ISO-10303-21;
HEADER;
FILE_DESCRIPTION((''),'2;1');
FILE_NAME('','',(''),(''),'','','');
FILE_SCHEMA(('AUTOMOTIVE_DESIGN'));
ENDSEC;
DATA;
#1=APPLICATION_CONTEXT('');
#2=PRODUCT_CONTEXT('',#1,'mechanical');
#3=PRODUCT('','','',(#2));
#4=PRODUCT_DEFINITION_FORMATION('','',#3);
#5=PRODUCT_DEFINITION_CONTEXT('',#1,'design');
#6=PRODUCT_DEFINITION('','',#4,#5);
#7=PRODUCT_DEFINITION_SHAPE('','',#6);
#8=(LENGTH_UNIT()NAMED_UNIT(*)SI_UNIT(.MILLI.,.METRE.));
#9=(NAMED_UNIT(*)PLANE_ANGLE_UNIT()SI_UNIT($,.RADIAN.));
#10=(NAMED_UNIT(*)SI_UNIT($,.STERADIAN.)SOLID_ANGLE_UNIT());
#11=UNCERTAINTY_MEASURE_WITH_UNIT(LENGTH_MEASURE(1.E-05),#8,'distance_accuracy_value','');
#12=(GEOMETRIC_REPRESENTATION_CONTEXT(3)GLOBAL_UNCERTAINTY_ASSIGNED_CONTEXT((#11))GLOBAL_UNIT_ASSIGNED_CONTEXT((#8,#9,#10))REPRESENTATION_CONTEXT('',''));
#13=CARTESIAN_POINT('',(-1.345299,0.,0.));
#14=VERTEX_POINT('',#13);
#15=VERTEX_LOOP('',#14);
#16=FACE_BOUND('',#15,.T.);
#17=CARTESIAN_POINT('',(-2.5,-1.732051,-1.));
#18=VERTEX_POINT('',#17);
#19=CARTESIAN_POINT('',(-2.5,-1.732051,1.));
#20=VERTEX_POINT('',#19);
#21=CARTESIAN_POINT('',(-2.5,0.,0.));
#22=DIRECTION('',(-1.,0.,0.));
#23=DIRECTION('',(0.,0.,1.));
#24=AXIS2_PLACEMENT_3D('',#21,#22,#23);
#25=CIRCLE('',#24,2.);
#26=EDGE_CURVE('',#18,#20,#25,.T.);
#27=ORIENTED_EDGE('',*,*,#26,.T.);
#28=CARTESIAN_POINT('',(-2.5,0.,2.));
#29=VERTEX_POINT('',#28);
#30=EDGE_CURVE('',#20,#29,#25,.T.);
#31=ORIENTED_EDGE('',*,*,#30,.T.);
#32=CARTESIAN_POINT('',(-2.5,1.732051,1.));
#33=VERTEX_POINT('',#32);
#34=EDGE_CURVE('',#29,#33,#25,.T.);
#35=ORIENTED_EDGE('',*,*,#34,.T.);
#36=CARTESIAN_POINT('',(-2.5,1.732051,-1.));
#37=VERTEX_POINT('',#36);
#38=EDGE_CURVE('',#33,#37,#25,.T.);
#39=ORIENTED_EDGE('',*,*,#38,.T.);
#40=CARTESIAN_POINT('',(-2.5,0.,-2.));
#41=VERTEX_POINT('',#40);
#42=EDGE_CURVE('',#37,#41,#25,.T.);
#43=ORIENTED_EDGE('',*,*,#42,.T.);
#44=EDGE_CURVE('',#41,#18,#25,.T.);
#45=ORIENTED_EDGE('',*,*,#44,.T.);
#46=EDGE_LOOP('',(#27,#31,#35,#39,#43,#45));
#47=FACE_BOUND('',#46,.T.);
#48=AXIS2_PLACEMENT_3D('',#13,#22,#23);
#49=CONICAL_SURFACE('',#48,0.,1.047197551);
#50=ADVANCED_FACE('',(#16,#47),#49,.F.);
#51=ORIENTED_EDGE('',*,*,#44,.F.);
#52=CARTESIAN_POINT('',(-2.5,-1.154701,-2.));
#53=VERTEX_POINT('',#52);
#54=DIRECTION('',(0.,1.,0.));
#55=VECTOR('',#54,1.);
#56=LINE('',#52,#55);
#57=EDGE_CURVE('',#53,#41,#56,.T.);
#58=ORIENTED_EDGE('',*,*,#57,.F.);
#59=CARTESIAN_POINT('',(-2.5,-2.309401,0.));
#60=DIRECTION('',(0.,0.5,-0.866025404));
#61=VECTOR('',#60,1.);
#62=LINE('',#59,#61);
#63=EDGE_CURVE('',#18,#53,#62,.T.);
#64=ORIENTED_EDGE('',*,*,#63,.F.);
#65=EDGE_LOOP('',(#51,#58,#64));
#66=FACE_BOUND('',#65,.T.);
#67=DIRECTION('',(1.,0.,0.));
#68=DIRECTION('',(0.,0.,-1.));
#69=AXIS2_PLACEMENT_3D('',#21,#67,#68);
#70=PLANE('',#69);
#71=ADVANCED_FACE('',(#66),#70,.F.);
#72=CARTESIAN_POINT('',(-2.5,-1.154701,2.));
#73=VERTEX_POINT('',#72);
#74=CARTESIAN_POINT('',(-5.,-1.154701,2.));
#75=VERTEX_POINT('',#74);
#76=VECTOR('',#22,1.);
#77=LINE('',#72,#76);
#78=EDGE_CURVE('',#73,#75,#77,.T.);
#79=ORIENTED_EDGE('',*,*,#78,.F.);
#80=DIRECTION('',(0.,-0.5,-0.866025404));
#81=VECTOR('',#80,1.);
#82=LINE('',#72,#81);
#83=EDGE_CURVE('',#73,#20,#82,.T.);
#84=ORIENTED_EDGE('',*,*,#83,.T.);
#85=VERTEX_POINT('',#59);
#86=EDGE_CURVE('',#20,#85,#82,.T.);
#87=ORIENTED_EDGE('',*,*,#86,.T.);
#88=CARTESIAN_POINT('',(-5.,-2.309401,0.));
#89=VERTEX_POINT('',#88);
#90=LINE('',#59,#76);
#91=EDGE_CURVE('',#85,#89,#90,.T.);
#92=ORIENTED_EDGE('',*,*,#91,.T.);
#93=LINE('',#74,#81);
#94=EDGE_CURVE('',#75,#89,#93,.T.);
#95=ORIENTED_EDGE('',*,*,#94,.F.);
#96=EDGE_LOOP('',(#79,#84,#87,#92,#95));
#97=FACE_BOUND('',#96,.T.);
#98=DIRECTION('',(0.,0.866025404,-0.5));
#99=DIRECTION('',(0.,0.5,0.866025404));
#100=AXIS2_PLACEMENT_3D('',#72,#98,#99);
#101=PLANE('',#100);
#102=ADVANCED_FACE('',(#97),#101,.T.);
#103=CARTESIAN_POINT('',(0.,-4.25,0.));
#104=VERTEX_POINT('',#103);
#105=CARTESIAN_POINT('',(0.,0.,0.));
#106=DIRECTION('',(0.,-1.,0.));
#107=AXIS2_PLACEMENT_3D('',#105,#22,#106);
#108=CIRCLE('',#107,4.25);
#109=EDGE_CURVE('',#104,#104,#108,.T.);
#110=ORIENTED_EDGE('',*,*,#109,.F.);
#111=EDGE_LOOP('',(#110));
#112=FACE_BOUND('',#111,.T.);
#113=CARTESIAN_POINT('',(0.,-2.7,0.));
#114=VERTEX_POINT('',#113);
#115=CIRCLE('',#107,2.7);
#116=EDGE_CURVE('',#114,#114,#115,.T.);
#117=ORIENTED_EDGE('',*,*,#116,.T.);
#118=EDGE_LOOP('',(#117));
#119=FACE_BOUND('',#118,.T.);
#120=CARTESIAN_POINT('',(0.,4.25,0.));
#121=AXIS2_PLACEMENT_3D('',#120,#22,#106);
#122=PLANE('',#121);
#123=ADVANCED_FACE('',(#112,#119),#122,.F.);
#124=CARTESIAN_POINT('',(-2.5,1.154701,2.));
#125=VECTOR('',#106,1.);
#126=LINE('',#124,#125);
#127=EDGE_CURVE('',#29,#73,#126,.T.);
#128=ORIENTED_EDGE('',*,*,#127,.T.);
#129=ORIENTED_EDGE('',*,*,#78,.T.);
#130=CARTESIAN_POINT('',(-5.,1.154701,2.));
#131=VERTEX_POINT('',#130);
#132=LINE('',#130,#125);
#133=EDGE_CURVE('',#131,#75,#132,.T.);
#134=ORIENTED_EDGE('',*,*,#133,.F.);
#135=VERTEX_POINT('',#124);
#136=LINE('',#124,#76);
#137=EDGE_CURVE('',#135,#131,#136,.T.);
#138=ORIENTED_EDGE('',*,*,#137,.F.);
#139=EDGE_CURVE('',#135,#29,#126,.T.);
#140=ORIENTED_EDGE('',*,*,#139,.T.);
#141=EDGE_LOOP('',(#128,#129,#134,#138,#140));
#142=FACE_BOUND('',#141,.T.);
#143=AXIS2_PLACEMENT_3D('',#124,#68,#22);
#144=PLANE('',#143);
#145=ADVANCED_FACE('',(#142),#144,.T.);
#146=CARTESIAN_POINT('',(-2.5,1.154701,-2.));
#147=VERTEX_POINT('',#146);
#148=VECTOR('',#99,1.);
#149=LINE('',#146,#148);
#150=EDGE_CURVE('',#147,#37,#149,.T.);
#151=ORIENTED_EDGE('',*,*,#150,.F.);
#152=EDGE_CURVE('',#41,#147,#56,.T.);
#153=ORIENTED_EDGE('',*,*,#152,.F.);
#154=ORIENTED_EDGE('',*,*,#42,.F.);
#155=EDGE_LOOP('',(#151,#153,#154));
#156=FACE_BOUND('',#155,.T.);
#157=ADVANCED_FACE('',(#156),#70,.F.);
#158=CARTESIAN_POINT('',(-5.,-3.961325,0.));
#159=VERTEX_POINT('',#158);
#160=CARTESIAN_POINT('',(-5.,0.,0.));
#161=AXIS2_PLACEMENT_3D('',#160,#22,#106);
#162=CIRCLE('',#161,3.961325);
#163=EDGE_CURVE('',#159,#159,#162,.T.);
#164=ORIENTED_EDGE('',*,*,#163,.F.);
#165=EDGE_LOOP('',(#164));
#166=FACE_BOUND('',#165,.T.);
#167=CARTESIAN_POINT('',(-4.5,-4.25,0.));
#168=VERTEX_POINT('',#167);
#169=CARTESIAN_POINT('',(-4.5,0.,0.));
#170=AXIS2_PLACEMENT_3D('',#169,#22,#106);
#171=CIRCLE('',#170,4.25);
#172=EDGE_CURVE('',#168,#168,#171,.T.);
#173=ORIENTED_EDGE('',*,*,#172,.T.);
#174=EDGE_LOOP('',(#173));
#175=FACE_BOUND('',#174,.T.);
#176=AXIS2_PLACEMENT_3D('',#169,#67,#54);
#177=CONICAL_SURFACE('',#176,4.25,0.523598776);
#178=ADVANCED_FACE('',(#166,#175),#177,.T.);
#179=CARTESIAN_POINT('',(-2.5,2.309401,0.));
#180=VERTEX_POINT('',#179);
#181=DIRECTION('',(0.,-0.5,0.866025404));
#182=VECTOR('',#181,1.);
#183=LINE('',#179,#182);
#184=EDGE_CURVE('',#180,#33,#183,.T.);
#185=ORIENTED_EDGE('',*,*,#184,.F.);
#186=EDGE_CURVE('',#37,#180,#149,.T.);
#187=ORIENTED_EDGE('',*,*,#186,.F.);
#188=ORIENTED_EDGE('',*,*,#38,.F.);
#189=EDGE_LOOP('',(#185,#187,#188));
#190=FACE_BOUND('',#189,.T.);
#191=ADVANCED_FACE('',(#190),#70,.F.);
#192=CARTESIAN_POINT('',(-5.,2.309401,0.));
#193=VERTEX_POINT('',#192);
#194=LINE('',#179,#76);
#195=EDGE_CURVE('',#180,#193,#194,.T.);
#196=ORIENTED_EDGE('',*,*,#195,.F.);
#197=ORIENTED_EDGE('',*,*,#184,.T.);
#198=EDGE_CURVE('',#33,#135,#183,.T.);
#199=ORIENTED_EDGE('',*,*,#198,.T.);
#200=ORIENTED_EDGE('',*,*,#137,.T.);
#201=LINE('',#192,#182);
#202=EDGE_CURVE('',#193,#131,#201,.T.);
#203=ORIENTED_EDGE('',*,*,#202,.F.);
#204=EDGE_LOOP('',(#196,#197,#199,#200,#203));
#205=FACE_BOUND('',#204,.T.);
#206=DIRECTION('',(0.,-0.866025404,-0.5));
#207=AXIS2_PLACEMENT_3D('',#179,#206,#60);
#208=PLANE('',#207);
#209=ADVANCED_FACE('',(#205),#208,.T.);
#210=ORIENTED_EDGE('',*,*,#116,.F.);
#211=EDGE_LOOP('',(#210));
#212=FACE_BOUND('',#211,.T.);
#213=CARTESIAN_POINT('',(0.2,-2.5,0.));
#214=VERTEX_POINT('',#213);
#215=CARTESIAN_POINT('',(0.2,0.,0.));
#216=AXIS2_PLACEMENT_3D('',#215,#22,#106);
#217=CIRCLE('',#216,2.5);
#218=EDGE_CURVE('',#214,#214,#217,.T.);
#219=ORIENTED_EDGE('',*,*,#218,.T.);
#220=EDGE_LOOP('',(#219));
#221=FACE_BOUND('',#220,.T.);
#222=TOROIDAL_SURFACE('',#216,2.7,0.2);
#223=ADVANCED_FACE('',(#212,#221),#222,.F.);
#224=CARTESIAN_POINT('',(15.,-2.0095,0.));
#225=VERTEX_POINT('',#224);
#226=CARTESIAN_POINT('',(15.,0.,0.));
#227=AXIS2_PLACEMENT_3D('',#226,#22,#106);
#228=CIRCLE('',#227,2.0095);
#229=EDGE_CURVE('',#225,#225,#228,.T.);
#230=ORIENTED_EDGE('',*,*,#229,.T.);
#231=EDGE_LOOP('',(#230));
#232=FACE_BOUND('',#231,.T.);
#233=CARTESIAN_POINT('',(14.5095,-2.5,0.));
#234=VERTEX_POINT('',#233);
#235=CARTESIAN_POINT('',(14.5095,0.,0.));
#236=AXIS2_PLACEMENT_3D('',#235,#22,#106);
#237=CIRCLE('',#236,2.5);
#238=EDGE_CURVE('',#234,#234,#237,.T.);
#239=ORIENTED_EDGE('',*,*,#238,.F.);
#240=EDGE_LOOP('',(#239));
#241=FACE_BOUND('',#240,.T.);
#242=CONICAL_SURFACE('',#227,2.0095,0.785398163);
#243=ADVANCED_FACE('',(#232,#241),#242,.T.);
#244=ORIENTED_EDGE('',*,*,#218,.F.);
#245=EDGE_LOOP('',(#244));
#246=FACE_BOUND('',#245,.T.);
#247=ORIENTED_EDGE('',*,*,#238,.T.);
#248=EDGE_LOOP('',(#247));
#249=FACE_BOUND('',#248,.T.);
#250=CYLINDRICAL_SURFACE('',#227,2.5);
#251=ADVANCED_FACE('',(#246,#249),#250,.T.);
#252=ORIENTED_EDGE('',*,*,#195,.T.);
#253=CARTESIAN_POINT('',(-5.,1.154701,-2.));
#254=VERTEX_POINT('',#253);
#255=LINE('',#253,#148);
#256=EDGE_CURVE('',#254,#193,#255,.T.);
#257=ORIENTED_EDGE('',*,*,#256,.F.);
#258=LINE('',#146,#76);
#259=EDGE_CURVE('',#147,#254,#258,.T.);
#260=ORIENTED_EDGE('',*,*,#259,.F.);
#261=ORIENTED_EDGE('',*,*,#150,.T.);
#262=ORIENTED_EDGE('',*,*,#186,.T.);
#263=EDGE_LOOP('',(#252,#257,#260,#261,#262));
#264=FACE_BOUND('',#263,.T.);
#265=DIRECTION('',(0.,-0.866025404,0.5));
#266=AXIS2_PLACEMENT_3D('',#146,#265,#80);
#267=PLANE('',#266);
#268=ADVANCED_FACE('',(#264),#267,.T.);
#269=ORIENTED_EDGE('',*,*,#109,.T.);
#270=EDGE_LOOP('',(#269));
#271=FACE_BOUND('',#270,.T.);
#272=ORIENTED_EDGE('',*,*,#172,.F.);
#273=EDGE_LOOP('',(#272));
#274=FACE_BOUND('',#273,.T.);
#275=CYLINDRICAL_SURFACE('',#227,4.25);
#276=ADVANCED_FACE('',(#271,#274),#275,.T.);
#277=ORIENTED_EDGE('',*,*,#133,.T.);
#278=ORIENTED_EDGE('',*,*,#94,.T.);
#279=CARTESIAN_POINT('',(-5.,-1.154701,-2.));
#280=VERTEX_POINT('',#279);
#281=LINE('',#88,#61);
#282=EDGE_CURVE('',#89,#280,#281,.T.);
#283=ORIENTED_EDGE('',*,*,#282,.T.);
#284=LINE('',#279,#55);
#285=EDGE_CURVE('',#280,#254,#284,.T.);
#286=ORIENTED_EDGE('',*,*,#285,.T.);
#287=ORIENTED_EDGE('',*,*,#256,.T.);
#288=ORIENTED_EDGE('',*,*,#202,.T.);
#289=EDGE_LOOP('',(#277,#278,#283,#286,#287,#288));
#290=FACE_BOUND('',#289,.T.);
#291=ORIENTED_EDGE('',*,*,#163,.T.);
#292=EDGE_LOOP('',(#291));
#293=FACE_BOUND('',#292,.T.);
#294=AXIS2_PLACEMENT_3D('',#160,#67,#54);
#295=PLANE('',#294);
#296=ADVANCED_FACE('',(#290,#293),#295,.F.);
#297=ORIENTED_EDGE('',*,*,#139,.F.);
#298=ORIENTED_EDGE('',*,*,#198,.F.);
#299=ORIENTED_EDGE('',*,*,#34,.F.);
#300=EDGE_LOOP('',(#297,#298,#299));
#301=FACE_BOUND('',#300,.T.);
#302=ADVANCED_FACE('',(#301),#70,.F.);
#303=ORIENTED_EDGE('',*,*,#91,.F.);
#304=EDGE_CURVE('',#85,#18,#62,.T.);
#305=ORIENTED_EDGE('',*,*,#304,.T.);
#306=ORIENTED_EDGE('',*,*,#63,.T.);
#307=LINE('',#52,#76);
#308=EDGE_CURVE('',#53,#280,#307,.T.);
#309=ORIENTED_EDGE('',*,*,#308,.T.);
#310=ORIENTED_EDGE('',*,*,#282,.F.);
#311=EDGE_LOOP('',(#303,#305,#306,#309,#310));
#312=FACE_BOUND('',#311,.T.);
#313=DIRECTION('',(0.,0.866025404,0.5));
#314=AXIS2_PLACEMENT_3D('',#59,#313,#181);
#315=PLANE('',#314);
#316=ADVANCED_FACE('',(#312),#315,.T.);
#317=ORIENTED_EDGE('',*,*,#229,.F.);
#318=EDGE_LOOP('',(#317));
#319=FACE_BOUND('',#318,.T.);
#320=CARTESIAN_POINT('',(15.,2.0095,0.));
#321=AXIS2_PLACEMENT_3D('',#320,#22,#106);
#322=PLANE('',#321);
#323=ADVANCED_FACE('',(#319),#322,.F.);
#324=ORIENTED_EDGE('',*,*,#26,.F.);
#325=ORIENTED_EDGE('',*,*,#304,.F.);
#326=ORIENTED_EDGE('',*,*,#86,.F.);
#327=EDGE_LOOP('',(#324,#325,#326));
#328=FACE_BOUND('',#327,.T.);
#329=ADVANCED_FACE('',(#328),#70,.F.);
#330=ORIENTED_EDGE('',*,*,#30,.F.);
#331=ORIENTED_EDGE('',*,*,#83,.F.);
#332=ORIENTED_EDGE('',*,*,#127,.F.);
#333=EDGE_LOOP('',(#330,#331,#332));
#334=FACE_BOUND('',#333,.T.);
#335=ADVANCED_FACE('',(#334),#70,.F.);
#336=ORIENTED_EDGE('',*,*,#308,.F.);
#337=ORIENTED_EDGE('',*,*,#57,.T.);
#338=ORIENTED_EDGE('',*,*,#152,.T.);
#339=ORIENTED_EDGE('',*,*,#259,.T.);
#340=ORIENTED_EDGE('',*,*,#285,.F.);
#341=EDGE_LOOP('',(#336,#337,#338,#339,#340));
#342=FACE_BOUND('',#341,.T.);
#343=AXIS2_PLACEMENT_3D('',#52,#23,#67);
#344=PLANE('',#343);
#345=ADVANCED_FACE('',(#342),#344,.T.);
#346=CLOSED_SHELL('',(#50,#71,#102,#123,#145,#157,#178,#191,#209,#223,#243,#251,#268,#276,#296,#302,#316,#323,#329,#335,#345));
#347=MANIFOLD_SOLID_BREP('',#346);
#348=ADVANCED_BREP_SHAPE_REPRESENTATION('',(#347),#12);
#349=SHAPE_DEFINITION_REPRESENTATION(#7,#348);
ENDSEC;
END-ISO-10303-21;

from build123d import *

# Parameters (mm, degrees)
CUT_EXTRUDE_1_DEPTH = 2.5


with BuildPart() as part:
    # 草图1 → 旋转1 (revolve)
    with BuildSketch(Plane.XY):
        with BuildLine():
            Line((-5, 0), (-5, 3.961324865))
            Line((-5, 3.961324865), (-4.5, 4.25))
            Line((-4.5, 4.25), (0, 4.25))
            Line((0, 4.25), (0, 2.7))
            ThreePointArc((0, 2.7), (0.058578644, 2.558578644), (0.2, 2.5))
            Line((0.2, 2.5), (14.5095, 2.5))
            Line((14.5095, 2.5), (15, 2.0095))
            Line((15, 2.0095), (15, 0))
            Line((15, 0), (-5, 0))
        make_face()
    revolve(axis=Axis((15, 0, 0), (-1, 0, 0)))

    # 草图2 → 切除-旋转1 (revolve, cut)
    with BuildSketch(Plane.XY):
        Polygon((-5, 0), (-5, 2), (-2.5, 2), (-1.345299462, 0), align=None)
    revolve(axis=Axis((-1.345299462, 0, 0), (-1, 0, 0)), mode=Mode.SUBTRACT)

    # 草图3 → 切除-拉伸1 (cut)
    with BuildSketch(Plane(origin=(-5, 0, 0), x_dir=(0, 0, -1), z_dir=(1, 0, 0))):
        Polygon((-2, -1.154700538), (0, -2.309401077), (2, -1.154700538), (2, 1.154700538), (0, 2.309401077), (-2, 1.154700538), align=None)
    extrude(amount=CUT_EXTRUDE_1_DEPTH, mode=Mode.SUBTRACT)


solid = part.part
